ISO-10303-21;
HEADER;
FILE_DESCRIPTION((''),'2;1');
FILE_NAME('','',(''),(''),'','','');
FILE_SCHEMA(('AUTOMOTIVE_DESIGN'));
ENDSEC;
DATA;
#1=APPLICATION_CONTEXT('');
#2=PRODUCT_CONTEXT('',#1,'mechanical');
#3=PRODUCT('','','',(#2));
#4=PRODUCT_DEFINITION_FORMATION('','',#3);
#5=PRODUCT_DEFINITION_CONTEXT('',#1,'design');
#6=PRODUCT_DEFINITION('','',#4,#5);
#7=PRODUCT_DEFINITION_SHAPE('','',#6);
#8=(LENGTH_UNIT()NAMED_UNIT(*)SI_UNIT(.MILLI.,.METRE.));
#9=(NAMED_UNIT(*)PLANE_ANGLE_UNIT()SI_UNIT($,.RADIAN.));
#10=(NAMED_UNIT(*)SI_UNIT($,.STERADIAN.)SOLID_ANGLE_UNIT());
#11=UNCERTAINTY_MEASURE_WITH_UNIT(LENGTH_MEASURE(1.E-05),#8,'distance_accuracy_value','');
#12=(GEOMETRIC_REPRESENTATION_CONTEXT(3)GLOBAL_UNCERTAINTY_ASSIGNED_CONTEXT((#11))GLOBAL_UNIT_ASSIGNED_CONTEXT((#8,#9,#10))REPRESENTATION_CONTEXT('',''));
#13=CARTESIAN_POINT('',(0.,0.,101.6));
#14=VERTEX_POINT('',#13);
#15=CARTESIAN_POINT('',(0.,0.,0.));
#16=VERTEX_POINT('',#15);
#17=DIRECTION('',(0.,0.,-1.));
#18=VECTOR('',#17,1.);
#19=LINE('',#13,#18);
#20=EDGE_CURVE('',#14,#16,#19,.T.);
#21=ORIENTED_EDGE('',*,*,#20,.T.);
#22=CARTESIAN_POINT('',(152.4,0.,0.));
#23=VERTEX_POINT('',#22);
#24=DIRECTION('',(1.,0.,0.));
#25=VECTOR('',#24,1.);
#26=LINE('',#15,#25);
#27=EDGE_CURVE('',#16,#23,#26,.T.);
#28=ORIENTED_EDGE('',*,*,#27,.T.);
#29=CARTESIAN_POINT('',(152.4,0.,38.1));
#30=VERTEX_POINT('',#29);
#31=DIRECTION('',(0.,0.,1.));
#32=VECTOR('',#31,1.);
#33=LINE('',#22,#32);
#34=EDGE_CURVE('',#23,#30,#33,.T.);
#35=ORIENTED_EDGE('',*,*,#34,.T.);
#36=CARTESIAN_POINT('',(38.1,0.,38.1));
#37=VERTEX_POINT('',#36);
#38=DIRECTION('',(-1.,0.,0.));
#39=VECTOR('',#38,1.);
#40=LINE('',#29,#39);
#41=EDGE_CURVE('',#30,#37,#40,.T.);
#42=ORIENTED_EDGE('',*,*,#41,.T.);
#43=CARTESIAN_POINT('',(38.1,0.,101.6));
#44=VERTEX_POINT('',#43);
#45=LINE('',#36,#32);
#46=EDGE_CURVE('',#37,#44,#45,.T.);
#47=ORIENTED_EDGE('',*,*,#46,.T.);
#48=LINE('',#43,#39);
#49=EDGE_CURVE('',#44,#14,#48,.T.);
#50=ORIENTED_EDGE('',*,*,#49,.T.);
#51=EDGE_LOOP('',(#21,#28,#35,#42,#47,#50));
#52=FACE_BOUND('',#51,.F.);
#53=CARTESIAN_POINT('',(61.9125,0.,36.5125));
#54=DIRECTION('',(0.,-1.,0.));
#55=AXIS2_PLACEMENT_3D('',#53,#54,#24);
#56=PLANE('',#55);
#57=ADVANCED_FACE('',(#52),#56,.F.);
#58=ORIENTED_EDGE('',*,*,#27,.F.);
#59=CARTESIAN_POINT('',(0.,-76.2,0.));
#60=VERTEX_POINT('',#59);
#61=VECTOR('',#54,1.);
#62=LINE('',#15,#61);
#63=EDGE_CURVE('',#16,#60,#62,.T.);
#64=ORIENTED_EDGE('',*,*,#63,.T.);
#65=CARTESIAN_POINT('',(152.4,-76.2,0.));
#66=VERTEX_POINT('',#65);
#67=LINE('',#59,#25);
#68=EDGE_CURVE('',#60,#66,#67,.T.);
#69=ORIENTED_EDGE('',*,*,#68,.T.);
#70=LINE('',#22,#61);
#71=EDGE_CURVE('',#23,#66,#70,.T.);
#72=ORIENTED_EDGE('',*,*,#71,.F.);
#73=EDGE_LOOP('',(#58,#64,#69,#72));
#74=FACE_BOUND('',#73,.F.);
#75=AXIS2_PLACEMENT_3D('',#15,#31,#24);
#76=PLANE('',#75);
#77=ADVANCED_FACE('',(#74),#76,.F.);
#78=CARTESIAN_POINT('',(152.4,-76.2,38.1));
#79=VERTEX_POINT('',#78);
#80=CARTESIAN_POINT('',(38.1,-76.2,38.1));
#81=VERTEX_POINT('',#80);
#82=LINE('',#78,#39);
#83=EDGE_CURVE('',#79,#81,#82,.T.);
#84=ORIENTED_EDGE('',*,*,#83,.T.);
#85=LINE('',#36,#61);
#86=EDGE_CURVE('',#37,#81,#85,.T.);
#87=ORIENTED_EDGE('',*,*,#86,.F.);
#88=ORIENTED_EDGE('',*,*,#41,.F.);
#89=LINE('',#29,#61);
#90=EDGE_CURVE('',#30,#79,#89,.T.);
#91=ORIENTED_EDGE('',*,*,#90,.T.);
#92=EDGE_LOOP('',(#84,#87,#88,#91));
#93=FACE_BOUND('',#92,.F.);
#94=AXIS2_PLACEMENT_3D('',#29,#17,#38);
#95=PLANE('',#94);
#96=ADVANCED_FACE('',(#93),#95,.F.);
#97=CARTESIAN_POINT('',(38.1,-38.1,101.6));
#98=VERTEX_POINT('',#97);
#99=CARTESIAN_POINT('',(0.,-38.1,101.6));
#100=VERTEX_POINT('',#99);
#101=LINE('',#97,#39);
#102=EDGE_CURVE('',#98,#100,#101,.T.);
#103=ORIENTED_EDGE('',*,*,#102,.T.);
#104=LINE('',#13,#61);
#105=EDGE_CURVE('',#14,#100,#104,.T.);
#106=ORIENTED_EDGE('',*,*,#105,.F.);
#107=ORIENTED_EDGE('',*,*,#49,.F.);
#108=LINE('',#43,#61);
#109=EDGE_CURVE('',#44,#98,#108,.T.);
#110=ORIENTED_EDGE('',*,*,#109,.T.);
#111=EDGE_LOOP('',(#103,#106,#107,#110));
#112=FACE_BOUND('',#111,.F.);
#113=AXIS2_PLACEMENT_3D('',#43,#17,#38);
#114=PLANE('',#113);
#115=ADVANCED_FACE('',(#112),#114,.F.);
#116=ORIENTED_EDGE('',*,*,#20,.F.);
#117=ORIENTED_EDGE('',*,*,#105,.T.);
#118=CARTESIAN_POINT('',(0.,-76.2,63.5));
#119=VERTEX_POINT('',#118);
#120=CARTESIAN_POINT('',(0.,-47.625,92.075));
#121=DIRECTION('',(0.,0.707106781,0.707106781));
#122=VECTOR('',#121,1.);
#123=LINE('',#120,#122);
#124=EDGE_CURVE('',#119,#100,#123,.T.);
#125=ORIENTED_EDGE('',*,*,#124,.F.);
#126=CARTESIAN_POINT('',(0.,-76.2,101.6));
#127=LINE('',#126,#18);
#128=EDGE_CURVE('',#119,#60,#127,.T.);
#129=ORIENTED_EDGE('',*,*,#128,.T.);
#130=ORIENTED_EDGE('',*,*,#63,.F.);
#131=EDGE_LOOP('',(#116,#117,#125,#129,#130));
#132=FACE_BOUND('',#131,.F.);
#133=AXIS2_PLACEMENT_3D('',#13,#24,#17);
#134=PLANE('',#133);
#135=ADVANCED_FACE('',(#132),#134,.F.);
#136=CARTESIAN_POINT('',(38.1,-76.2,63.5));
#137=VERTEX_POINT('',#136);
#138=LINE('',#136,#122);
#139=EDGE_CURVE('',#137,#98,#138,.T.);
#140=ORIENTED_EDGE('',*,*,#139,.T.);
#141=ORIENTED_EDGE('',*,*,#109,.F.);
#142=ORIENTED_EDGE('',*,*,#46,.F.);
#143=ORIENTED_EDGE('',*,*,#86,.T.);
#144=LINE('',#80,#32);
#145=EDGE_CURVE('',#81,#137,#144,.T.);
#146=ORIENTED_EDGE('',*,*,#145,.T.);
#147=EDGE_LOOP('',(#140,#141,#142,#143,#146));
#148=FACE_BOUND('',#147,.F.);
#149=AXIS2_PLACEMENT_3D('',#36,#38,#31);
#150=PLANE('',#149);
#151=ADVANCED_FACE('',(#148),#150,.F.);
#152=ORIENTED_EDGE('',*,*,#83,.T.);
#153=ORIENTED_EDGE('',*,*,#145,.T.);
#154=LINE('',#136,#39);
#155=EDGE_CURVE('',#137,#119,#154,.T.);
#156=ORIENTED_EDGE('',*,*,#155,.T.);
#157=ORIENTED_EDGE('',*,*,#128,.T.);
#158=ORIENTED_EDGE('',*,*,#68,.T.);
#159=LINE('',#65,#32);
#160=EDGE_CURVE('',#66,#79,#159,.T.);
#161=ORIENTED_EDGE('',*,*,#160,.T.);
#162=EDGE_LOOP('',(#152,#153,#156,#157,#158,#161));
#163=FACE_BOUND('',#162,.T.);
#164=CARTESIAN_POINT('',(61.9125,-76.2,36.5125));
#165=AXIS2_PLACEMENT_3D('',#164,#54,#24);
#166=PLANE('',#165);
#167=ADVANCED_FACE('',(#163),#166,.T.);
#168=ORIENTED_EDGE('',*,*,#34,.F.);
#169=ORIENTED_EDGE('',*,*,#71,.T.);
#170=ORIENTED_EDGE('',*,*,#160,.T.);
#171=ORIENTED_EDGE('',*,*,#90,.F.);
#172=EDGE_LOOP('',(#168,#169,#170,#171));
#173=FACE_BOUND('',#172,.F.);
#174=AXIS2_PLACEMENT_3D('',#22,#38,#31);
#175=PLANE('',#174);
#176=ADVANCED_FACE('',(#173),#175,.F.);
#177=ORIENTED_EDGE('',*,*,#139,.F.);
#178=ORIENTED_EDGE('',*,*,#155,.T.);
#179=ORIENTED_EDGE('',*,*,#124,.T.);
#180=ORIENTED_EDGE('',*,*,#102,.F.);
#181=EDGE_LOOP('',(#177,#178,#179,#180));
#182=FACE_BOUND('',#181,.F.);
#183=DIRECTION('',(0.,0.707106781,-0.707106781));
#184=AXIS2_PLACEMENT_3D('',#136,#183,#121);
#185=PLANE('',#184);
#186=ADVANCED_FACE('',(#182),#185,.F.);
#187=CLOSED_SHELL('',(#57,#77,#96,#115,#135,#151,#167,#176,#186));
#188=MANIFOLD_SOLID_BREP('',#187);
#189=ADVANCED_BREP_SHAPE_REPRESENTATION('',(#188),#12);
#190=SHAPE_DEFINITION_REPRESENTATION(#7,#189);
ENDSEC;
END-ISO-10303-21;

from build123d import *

# Parameters (mm, degrees)
F1_DEPTH = 76.2
F4_DEPTH = 38.101


with BuildPart() as f1:
    # F0 (on Front) → F1 (new body)
    with BuildSketch(Plane.XZ):
        Polygon((0, 101.6), (0, 0), (152.4, 0), (152.4, 38.1), (38.1, 38.1), (38.1, 101.6), align=None)
    extrude(amount=F1_DEPTH)

    # F2 (on face) → F4 (cut, through all)
    with BuildSketch(Plane.YZ.offset(38.1)):
        Polygon((-76.2, 63.5), (-38.1, 101.6), (-76.2, 101.6), align=None)
    extrude(amount=-F4_DEPTH, mode=Mode.SUBTRACT)


solid = f1.part
